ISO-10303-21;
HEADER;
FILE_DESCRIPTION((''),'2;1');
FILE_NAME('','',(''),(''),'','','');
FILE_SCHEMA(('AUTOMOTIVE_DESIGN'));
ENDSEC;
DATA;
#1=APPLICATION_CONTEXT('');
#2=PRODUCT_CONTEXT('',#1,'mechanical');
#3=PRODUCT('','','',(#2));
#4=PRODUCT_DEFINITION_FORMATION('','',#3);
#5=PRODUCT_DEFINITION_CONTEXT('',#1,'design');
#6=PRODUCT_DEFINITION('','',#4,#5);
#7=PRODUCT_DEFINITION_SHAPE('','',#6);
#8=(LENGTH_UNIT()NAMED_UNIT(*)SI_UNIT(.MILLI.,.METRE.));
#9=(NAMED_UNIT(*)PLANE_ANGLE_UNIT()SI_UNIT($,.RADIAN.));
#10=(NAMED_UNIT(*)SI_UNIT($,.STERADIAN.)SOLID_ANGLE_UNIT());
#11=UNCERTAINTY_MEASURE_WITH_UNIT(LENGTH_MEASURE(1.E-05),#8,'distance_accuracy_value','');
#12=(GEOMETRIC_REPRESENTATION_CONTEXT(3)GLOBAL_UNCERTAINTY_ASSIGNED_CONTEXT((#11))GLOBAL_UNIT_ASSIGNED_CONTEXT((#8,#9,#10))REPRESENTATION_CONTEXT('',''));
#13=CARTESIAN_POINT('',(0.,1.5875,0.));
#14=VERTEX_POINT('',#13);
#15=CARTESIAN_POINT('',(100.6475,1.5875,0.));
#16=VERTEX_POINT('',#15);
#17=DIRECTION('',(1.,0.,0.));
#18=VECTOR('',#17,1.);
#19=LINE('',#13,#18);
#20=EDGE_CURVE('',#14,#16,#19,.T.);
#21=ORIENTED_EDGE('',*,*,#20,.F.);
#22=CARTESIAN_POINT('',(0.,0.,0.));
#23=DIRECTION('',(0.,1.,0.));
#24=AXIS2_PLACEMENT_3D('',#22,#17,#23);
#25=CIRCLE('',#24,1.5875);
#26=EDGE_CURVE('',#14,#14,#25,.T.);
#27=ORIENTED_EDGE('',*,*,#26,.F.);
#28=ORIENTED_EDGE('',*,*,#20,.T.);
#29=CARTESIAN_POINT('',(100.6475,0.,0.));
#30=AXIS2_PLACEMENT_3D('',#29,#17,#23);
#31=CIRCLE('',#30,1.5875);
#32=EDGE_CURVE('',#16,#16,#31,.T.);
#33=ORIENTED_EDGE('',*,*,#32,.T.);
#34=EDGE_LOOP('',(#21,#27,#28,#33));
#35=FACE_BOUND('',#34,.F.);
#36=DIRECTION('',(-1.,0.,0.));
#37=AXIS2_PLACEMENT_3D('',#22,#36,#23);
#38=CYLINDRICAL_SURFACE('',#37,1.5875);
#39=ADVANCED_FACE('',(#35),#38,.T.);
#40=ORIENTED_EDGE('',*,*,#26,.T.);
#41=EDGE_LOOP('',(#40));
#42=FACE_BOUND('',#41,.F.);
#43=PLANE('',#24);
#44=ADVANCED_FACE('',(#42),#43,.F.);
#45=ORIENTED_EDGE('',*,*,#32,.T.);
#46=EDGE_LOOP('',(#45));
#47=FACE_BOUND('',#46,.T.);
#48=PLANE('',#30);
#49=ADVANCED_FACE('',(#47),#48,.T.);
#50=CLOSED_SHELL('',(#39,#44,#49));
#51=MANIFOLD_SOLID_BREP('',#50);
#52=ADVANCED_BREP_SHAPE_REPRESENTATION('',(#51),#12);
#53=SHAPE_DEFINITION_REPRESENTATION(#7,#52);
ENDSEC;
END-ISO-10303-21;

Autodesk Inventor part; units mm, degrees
ref_plane "YZ Plane" through (0, 0, 0) normal (1, 0, 0) x (0, 1, 0)
ref_plane "XZ Plane" through (0, 0, 0) normal (0, 1, 0) x (-1, 0, 0)
ref_plane "XY Plane" through (0, 0, 0) normal (0, 0, 1) x (1, 0, 0)
sketch "Sketch1" plane through (0, 0, 0) normal (1, 0, 0) x (0, 1, 0)
  circle A0 centre (0, 0) radius 1.5875
  dimension "d0" = 3.175
extrude "Extrusion1" add sketch "Sketch1" along normal blind 100.6475
thread "Thread1" size "5-40 UNC" class "2A" standard "ANSI Unified Screw Threads" full length
properties part number "aftServoSectionTopThreadedRodThread_5_40" material "Stainless Steel, Polished"
